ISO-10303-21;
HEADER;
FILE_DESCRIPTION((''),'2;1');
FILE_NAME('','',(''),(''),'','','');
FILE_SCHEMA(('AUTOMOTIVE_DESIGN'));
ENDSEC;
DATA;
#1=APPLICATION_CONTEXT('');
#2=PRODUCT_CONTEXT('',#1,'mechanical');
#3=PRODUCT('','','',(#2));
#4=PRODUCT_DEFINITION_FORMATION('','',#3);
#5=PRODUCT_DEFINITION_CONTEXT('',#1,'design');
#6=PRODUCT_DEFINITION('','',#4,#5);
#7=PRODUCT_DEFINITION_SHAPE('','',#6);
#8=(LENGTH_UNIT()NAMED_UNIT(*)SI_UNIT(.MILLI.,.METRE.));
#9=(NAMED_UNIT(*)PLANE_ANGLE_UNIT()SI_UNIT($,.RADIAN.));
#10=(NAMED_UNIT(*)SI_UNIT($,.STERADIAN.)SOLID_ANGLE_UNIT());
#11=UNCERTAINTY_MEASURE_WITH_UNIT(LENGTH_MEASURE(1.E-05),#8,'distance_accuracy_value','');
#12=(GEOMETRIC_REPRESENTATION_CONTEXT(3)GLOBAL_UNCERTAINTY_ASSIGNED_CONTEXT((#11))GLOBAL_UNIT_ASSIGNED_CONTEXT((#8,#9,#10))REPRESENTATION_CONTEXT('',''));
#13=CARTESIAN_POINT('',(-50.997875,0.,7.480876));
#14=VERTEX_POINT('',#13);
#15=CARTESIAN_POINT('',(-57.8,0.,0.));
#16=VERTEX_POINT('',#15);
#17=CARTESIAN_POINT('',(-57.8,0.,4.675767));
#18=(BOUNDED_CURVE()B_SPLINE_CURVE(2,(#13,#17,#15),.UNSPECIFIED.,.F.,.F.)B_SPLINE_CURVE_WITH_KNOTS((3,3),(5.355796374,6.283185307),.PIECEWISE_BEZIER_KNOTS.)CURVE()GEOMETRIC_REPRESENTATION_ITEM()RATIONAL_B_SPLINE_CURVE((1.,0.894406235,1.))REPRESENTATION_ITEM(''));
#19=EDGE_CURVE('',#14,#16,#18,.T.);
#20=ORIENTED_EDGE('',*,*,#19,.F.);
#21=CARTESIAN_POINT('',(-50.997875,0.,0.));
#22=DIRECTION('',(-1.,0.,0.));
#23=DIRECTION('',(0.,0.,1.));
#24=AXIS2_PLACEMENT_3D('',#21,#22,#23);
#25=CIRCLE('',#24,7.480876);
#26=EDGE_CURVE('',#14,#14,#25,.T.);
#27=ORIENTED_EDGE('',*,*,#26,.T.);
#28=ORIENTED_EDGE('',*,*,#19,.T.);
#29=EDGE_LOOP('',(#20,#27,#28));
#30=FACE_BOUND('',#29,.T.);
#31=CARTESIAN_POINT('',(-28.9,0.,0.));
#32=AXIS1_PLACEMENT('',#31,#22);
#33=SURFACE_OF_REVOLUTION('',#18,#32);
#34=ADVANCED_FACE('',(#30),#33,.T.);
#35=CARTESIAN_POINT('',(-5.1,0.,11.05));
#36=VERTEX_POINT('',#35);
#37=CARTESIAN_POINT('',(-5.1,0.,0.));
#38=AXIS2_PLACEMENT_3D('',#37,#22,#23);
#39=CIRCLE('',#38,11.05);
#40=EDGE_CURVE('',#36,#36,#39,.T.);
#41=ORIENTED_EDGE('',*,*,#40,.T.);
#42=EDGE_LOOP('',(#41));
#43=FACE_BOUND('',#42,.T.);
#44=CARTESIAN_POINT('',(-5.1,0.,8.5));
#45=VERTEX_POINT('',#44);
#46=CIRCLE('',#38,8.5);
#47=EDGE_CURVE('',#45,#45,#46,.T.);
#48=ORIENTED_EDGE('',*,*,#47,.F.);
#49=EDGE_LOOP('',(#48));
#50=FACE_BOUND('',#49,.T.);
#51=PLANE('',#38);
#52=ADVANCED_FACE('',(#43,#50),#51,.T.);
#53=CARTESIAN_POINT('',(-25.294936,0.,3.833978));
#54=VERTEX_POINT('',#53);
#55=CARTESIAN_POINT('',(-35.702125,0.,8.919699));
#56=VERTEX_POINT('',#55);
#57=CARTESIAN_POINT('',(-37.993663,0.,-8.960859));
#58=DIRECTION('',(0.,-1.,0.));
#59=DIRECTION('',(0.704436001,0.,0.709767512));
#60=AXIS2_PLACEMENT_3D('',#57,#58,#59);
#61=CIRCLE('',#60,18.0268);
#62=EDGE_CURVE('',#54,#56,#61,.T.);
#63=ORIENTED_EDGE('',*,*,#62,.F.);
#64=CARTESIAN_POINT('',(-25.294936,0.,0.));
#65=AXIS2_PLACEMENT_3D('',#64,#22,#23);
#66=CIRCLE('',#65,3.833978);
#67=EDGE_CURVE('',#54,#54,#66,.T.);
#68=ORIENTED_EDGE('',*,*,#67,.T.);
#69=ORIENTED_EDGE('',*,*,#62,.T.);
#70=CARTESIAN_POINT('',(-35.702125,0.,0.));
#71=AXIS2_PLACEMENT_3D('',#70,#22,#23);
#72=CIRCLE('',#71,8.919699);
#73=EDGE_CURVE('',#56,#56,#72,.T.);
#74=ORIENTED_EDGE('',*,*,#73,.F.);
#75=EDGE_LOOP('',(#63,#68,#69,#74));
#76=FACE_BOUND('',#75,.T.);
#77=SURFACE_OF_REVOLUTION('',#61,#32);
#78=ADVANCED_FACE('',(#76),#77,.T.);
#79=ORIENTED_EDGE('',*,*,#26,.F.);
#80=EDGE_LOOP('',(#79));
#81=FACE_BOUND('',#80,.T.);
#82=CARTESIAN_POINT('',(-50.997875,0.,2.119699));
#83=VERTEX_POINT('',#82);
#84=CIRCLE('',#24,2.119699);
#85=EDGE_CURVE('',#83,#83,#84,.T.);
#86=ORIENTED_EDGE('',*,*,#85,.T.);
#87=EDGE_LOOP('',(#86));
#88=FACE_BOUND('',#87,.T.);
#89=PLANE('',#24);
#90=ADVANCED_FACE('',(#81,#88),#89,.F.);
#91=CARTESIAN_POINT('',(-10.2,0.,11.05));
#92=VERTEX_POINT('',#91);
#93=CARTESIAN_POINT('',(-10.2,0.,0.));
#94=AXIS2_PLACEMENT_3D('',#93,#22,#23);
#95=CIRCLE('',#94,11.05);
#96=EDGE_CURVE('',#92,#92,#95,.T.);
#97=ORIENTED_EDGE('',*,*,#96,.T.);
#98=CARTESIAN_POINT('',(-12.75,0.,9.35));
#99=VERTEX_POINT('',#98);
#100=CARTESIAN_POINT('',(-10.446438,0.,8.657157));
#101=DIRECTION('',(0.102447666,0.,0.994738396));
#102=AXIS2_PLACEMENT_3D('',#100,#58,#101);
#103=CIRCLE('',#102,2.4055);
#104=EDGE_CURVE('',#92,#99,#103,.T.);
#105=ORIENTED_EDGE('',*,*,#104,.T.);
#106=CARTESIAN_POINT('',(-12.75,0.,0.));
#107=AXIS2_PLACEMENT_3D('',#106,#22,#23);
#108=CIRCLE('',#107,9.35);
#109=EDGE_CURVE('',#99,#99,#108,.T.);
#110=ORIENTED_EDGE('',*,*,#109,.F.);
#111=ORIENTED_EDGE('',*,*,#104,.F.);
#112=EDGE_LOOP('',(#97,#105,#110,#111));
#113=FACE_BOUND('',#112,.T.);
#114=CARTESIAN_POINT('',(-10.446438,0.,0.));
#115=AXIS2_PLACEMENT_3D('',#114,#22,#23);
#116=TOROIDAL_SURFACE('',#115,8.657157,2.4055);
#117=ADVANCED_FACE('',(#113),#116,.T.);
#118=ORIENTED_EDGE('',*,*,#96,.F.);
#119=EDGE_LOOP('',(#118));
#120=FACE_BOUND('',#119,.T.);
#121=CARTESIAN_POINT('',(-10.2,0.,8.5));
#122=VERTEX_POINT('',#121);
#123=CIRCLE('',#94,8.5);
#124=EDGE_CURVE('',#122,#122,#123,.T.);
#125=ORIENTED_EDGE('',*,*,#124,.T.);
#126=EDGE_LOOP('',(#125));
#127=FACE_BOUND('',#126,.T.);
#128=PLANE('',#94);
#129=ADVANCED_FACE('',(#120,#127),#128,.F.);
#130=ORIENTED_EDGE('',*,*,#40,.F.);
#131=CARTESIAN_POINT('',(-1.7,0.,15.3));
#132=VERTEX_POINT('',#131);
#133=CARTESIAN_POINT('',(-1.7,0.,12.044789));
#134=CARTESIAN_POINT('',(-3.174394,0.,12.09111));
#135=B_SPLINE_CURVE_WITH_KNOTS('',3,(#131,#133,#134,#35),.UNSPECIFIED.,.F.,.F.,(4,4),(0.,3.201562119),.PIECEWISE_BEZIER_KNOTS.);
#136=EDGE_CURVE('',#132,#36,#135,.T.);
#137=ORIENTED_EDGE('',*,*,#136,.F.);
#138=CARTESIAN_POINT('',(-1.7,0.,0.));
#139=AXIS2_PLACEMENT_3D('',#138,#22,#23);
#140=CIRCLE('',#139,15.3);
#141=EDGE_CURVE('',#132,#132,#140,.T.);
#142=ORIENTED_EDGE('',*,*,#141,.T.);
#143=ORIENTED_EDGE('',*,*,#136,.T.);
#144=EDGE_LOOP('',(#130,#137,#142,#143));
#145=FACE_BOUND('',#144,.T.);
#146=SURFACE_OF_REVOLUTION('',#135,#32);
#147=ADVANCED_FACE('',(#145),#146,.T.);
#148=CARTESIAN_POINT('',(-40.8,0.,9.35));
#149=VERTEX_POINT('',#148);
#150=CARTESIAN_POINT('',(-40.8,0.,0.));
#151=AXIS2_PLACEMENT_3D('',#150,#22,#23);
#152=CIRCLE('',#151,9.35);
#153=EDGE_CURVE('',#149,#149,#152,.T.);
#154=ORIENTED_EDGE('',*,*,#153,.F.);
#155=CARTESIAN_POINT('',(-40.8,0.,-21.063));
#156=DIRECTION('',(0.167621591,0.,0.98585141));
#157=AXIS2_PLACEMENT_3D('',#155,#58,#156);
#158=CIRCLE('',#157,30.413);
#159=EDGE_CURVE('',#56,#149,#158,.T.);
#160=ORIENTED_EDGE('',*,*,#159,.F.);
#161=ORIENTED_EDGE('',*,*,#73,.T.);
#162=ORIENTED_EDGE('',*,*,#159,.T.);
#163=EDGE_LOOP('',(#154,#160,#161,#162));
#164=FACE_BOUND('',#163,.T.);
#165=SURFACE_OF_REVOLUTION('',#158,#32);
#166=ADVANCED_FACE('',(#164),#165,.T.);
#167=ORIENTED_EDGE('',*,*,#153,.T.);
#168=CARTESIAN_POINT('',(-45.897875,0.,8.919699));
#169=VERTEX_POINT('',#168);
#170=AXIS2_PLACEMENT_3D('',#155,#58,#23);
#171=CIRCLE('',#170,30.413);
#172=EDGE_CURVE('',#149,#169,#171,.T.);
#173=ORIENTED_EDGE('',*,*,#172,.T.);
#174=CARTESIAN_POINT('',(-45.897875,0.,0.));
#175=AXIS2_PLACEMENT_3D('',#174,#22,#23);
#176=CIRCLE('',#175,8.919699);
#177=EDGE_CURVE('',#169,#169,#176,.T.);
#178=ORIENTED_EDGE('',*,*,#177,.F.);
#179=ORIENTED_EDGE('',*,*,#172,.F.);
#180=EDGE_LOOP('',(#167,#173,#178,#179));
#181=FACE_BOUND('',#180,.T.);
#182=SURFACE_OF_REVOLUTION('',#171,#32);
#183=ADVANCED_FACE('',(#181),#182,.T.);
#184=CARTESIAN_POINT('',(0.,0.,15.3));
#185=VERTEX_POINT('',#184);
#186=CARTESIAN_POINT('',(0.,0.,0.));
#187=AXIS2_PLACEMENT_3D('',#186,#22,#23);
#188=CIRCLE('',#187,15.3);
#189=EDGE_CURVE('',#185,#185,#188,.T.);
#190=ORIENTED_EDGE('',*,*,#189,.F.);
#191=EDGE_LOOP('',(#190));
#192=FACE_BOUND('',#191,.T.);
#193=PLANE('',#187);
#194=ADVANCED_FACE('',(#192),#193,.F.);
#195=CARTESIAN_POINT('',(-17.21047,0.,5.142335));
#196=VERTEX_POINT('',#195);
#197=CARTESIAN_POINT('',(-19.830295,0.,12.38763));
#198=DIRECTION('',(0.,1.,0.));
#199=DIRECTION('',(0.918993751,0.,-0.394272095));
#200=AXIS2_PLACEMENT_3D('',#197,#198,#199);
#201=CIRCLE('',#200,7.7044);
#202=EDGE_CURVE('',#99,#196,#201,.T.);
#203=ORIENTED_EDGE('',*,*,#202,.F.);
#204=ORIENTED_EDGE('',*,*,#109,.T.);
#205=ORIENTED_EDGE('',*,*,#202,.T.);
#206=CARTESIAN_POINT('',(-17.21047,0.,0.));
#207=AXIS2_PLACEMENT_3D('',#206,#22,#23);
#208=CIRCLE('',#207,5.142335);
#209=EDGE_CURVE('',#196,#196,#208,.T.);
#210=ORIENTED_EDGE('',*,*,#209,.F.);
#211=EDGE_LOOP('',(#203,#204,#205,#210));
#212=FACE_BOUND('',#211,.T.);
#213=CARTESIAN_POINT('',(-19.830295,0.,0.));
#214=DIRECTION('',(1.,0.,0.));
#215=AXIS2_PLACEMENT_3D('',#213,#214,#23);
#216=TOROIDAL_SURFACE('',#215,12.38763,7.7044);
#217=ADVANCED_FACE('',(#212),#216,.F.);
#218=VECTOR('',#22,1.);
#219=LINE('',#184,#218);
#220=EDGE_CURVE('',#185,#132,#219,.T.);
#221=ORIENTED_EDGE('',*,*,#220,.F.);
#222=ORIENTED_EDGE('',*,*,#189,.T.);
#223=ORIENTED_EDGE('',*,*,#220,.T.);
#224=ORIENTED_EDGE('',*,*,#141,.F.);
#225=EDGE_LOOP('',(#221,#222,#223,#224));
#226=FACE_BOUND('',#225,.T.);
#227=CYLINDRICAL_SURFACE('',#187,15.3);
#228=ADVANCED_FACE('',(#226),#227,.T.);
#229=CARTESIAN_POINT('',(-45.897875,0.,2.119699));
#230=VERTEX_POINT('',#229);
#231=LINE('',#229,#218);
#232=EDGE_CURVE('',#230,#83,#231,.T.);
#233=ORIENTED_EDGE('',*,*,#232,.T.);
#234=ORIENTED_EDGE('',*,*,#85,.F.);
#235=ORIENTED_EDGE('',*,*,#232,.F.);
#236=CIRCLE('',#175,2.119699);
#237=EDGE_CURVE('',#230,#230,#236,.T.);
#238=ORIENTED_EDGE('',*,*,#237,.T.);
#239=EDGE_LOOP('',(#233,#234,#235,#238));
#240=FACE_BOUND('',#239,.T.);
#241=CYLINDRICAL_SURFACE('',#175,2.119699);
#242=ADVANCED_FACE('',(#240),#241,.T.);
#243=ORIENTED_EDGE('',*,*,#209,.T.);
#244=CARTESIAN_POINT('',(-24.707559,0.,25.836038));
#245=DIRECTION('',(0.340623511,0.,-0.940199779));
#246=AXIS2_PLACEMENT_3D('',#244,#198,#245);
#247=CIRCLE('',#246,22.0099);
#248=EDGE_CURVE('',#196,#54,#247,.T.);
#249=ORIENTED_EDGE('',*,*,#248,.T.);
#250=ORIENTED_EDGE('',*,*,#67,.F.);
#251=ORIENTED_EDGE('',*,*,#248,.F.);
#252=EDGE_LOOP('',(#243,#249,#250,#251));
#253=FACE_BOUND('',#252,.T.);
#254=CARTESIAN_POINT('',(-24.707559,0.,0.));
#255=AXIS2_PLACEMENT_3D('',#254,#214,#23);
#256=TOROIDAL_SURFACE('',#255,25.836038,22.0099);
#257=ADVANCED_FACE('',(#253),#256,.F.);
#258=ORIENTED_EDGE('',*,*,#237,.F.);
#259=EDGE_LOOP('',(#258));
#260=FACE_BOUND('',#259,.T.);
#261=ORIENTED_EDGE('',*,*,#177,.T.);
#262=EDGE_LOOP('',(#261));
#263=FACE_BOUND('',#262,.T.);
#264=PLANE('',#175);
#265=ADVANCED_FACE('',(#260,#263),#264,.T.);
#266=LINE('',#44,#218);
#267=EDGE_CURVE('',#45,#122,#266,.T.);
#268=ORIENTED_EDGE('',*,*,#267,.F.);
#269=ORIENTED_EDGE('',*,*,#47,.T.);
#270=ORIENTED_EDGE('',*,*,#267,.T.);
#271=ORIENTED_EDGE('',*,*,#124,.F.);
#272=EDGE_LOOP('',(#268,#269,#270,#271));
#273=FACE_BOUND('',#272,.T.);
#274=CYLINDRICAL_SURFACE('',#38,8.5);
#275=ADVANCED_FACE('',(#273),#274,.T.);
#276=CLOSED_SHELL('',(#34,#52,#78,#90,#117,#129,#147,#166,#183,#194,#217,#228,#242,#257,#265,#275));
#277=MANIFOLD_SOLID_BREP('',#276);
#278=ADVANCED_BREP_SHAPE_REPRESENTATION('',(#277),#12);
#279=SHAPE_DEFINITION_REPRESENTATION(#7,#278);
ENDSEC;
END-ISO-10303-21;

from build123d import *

# Parameters (mm, degrees)
F2_SCALE = 1.7


with BuildPart() as f1:
    # F0 (on Front) → F1 (revolve)
    with BuildSketch(Plane.XZ):
        with BuildLine():
            Line((-7.5, 0), (0, 0))
            Line((0, 0), (0, 9))
            Line((0, 9), (-1, 9))
            add(Edge.make_bspline(
                [(-1, 9), (-1, 7.0851700753), (-1.8672904698, 7.1124176979), (-3, 6.5)],
                knots=[0, 0, 0, 0, 3.2015621187, 3.2015621187, 3.2015621187, 3.2015621187], degree=3))
            Line((-3, 6.5), (-3, 5))
            Line((-3, 5), (-6, 5))
            Line((-6, 5), (-6, 6.5))
            ThreePointArc((-6, 6.5), (-6.9298642244, 6.2697963366), (-7.5, 5.5))
            Line((-7.5, 5.5), (-7.5, 0))
        make_face()
        with BuildLine():
            Line((-14, 0), (-7.5, 0))
            Line((-7.5, 0), (-7.5, 5.5))
            ThreePointArc((-7.5, 5.5), (-8.5550561199, 3.9901729053), (-10.123805809, 3.0249031581))
            ThreePointArc((-10.123805809, 3.0249031581), (-12.4654788199, 2.4169570785), (-14.8793743722, 2.2552808955))
            add(Edge.make_bspline(
                [(-14, 0), (-14, 1.1795016227), (-14.8793743722, 2.2552808955)],
                knots=[3.1415926536, 3.1415926536, 3.1415926536, 3.5641027111, 3.5641027111, 3.5641027111], degree=2, weights=[1, 0.9777685214, 1]))
        make_face()
        with BuildLine():
            Line((-24, 0), (-14, 0))
            add(Edge.make_bspline(
                [(-14, 0), (-14, 1.1795016227), (-14.8793743722, 2.2552808955)],
                knots=[3.1415926536, 3.1415926536, 3.1415926536, 3.5641027111, 3.5641027111, 3.5641027111], degree=2, weights=[1, 0.9777685214, 1]))
            ThreePointArc((-14.8793743722, 2.2552808955), (-17.6934825425, 4.2561819466), (-21.0012497303, 5.2468817204))
            ThreePointArc((-21.0012497303, 5.2468817204), (-22.4952930482, 5.4366081179), (-24, 5.5))
            Line((-24, 5.5), (-24, 0))
        make_face()
        with BuildLine():
            Line((-34, 0), (-24, 0))
            Line((-24, 0), (-24, 5.5))
            ThreePointArc((-24, 5.5), (-25.5047069518, 5.4366081179), (-26.9987502697, 5.2468817204))
            Line((-26.9987502697, 5.2468817204), (-26.9987502697, 1.2468817204))
            Line((-26.9987502697, 1.2468817204), (-29.9987502697, 1.2468817204))
            Line((-29.9987502697, 1.2468817204), (-29.9987502697, 4.4005154299))
            add(Edge.make_bspline(
                [(-29.9987502697, 4.4005154299), (-34, 2.7504510272), (-34, 0)],
                knots=[5.3557963744, 5.3557963744, 5.3557963744, 6.2831853072, 6.2831853072, 6.2831853072], degree=2, weights=[1, 0.8944062348, 1]))
        make_face()
    revolve(axis=Axis((-17, 0, 0), (-1, 0, 0)))


with BuildPart() as f1_1:
    # F2: moved
    add(f1.part.scale(F2_SCALE))


solid = f1_1.part
